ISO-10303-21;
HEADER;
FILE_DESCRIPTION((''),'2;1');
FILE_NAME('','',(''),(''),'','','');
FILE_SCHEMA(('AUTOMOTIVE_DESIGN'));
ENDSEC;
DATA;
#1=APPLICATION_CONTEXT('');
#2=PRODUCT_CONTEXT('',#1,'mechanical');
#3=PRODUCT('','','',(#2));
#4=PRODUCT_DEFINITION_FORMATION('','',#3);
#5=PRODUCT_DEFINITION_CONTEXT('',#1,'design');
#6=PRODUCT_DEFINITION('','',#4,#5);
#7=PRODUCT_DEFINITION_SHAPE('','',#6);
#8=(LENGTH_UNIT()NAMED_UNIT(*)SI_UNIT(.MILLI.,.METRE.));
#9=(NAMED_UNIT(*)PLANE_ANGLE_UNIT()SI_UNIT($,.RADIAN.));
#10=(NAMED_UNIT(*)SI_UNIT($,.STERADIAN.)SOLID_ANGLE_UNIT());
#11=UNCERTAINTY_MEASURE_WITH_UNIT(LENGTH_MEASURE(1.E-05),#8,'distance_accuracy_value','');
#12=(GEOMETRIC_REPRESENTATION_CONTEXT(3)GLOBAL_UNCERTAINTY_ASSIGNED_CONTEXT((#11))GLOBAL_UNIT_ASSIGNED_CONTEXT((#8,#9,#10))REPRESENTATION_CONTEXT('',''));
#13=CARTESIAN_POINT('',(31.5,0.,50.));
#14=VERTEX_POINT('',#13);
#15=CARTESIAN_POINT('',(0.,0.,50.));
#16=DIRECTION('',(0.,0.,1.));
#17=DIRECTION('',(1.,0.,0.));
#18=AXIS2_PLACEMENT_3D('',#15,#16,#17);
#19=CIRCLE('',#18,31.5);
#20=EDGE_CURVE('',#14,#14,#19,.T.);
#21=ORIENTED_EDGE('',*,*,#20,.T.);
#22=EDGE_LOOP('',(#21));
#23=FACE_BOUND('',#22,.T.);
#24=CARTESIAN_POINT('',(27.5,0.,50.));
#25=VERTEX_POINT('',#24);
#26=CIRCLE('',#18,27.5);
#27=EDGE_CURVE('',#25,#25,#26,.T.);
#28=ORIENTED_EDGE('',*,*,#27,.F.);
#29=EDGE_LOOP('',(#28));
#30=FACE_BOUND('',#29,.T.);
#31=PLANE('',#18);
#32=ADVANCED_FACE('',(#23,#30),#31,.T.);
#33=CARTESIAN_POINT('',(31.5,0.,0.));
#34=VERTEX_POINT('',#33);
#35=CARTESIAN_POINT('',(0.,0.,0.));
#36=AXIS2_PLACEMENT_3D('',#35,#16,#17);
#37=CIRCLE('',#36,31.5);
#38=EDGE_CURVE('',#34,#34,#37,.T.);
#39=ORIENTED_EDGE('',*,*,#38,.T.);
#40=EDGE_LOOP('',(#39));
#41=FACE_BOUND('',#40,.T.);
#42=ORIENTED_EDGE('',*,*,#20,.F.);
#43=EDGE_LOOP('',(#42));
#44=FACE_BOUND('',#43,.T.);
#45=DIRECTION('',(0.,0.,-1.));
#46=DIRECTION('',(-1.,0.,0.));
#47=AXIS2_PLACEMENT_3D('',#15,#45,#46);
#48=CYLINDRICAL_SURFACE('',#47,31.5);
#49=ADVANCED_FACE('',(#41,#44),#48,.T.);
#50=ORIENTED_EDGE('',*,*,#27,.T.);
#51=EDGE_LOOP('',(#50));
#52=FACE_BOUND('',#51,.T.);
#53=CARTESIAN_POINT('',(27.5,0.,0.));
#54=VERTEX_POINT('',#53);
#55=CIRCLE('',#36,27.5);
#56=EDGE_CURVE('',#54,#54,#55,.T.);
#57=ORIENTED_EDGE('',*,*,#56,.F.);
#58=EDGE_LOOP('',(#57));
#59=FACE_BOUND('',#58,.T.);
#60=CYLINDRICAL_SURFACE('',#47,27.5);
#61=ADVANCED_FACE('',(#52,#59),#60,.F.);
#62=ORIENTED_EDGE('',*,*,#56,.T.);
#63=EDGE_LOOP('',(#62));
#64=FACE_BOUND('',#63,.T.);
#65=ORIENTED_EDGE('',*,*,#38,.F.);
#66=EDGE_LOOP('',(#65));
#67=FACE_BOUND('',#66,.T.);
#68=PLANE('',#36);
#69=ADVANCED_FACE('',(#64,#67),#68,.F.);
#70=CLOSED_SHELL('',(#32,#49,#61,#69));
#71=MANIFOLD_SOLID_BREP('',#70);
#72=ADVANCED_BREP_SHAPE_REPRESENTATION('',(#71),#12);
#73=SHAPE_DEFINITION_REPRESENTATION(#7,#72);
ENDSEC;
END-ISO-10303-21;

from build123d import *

# Parameters (mm, degrees)
SKETCH1_R           = 31.5
SKETCH1_R_2         = 27.5
BOSS_EXTRUDE1_DEPTH = 50


with BuildPart() as part:
    # Sketch1 → Boss-Extrude1 (new body)
    with BuildSketch(Plane.XY):
        Circle(SKETCH1_R)
        Circle(SKETCH1_R_2, mode=Mode.SUBTRACT)
    extrude(amount=BOSS_EXTRUDE1_DEPTH)


solid = part.part
